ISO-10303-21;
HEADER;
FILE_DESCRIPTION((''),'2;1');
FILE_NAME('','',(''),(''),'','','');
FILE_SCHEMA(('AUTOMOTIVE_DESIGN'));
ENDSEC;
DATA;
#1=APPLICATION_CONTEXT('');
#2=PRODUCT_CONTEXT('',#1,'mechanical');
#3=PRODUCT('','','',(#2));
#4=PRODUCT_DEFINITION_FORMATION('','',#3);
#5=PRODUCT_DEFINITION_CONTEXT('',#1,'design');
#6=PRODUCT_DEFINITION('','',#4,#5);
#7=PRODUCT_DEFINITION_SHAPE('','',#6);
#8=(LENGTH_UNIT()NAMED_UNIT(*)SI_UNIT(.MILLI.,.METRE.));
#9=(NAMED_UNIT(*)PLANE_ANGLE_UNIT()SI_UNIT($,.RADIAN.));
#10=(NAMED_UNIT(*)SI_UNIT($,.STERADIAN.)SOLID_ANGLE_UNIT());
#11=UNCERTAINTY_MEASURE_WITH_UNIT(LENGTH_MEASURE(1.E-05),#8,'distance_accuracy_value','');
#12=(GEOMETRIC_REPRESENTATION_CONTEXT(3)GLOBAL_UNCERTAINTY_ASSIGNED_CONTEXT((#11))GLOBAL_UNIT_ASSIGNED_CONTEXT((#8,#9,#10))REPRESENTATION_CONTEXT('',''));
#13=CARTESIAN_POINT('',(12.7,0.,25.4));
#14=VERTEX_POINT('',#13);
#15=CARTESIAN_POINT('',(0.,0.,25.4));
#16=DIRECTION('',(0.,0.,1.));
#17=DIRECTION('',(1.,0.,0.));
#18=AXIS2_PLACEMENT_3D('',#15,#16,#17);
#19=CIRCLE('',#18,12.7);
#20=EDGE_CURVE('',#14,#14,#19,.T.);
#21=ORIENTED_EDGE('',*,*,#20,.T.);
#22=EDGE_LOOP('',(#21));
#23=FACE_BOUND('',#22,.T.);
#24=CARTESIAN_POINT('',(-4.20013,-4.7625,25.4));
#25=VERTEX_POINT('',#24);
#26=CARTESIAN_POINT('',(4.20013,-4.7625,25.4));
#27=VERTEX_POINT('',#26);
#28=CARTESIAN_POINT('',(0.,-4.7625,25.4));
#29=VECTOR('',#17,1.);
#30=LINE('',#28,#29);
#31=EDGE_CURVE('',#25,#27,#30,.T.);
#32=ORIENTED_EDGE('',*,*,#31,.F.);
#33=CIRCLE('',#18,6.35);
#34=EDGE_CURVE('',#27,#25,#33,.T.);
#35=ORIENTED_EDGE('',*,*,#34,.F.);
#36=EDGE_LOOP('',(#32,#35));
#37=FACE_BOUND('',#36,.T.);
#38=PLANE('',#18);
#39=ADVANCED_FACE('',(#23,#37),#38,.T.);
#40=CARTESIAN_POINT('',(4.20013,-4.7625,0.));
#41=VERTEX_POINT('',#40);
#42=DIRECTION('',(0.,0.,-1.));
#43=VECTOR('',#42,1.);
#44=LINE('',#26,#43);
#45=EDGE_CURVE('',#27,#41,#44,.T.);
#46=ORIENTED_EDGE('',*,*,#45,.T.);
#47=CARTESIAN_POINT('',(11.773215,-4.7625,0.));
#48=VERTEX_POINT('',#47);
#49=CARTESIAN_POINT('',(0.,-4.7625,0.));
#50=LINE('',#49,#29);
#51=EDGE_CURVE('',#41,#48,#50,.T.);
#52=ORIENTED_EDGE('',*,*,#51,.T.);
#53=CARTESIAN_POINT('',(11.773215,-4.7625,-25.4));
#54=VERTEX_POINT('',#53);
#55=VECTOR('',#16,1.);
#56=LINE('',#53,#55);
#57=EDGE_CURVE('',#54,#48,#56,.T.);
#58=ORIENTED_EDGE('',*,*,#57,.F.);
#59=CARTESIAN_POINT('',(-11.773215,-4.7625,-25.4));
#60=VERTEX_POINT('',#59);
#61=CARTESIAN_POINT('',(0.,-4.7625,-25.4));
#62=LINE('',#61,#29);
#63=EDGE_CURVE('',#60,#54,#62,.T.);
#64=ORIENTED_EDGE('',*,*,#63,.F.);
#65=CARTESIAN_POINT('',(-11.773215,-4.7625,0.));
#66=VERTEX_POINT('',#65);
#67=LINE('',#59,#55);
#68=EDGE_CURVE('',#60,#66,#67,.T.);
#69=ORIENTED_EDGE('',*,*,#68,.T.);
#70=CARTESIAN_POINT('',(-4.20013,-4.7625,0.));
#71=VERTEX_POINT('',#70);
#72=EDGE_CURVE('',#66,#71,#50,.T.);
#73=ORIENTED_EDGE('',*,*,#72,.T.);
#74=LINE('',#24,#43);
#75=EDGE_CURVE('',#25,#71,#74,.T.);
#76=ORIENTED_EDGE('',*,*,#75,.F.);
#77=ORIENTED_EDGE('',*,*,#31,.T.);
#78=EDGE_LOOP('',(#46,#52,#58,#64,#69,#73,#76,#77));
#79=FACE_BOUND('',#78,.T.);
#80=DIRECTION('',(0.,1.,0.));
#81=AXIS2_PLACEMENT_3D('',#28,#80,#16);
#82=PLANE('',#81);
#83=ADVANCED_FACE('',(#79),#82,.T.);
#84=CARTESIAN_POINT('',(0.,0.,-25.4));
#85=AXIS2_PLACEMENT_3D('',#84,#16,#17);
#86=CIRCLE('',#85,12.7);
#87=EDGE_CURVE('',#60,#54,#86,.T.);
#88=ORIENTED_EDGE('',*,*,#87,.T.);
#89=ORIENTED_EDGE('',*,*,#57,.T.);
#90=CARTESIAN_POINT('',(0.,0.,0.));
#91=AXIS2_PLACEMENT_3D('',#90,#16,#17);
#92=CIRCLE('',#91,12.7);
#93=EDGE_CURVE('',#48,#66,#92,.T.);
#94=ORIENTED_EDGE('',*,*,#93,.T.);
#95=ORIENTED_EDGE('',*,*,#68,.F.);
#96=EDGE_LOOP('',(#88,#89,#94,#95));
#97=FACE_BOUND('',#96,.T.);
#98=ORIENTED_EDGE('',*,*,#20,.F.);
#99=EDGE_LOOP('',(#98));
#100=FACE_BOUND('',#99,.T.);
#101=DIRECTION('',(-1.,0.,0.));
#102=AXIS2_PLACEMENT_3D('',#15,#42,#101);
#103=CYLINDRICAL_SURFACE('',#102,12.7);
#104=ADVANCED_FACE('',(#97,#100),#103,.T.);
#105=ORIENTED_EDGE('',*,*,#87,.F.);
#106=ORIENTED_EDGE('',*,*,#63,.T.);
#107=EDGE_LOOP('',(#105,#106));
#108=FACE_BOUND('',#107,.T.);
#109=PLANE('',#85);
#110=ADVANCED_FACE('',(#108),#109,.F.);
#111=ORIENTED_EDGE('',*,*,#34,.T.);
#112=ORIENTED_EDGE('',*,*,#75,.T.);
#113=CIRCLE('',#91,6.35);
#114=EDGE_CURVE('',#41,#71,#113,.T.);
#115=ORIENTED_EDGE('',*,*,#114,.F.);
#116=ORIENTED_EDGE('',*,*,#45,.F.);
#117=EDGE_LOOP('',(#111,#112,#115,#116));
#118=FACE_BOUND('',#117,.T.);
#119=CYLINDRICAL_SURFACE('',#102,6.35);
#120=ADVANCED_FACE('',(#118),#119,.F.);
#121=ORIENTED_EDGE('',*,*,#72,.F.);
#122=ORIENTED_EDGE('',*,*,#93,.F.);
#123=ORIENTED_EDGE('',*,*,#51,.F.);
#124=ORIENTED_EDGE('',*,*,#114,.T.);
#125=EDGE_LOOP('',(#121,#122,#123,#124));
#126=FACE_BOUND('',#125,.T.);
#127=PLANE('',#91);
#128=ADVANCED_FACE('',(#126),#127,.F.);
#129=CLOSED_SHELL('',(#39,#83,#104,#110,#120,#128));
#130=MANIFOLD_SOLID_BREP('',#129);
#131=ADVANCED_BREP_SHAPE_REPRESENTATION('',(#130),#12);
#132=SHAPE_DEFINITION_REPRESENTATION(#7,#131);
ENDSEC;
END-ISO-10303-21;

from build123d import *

# Parameters (mm, degrees)
SKETCH1_R           = 12.7
BOSS_EXTRUDE1_DEPTH = 25.4
BOSS_EXTRUDE2_START = -25.4
BOSS_EXTRUDE2_DEPTH = 25.4


with BuildPart() as part:
    # Sketch1 → Boss-Extrude1 (new body)
    with BuildSketch(Plane.XY):
        Circle(SKETCH1_R)
        with BuildLine():
            Line((4.200130206, -4.7625), (-4.200130206, -4.7625))
            ThreePointArc((-4.200130206, -4.7625), (0, 6.35), (4.200130206, -4.7625))
        make_face(mode=Mode.SUBTRACT)
    extrude(amount=BOSS_EXTRUDE1_DEPTH)

    # Sketch1<4> → Boss-Extrude2 (add)
    with BuildSketch(Plane.XY.offset(BOSS_EXTRUDE2_START)):
        with BuildLine():
            Line((4.200130206, -4.7625), (-4.200130206, -4.7625))
            Line((-4.200130206, -4.7625), (-11.773215098, -4.7625))
            ThreePointArc((-11.773215098, -4.7625), (0, -12.7), (11.773215098, -4.7625))
            Line((11.773215098, -4.7625), (4.200130206, -4.7625))
        make_face()
    extrude(amount=BOSS_EXTRUDE2_DEPTH)


solid = part.part
